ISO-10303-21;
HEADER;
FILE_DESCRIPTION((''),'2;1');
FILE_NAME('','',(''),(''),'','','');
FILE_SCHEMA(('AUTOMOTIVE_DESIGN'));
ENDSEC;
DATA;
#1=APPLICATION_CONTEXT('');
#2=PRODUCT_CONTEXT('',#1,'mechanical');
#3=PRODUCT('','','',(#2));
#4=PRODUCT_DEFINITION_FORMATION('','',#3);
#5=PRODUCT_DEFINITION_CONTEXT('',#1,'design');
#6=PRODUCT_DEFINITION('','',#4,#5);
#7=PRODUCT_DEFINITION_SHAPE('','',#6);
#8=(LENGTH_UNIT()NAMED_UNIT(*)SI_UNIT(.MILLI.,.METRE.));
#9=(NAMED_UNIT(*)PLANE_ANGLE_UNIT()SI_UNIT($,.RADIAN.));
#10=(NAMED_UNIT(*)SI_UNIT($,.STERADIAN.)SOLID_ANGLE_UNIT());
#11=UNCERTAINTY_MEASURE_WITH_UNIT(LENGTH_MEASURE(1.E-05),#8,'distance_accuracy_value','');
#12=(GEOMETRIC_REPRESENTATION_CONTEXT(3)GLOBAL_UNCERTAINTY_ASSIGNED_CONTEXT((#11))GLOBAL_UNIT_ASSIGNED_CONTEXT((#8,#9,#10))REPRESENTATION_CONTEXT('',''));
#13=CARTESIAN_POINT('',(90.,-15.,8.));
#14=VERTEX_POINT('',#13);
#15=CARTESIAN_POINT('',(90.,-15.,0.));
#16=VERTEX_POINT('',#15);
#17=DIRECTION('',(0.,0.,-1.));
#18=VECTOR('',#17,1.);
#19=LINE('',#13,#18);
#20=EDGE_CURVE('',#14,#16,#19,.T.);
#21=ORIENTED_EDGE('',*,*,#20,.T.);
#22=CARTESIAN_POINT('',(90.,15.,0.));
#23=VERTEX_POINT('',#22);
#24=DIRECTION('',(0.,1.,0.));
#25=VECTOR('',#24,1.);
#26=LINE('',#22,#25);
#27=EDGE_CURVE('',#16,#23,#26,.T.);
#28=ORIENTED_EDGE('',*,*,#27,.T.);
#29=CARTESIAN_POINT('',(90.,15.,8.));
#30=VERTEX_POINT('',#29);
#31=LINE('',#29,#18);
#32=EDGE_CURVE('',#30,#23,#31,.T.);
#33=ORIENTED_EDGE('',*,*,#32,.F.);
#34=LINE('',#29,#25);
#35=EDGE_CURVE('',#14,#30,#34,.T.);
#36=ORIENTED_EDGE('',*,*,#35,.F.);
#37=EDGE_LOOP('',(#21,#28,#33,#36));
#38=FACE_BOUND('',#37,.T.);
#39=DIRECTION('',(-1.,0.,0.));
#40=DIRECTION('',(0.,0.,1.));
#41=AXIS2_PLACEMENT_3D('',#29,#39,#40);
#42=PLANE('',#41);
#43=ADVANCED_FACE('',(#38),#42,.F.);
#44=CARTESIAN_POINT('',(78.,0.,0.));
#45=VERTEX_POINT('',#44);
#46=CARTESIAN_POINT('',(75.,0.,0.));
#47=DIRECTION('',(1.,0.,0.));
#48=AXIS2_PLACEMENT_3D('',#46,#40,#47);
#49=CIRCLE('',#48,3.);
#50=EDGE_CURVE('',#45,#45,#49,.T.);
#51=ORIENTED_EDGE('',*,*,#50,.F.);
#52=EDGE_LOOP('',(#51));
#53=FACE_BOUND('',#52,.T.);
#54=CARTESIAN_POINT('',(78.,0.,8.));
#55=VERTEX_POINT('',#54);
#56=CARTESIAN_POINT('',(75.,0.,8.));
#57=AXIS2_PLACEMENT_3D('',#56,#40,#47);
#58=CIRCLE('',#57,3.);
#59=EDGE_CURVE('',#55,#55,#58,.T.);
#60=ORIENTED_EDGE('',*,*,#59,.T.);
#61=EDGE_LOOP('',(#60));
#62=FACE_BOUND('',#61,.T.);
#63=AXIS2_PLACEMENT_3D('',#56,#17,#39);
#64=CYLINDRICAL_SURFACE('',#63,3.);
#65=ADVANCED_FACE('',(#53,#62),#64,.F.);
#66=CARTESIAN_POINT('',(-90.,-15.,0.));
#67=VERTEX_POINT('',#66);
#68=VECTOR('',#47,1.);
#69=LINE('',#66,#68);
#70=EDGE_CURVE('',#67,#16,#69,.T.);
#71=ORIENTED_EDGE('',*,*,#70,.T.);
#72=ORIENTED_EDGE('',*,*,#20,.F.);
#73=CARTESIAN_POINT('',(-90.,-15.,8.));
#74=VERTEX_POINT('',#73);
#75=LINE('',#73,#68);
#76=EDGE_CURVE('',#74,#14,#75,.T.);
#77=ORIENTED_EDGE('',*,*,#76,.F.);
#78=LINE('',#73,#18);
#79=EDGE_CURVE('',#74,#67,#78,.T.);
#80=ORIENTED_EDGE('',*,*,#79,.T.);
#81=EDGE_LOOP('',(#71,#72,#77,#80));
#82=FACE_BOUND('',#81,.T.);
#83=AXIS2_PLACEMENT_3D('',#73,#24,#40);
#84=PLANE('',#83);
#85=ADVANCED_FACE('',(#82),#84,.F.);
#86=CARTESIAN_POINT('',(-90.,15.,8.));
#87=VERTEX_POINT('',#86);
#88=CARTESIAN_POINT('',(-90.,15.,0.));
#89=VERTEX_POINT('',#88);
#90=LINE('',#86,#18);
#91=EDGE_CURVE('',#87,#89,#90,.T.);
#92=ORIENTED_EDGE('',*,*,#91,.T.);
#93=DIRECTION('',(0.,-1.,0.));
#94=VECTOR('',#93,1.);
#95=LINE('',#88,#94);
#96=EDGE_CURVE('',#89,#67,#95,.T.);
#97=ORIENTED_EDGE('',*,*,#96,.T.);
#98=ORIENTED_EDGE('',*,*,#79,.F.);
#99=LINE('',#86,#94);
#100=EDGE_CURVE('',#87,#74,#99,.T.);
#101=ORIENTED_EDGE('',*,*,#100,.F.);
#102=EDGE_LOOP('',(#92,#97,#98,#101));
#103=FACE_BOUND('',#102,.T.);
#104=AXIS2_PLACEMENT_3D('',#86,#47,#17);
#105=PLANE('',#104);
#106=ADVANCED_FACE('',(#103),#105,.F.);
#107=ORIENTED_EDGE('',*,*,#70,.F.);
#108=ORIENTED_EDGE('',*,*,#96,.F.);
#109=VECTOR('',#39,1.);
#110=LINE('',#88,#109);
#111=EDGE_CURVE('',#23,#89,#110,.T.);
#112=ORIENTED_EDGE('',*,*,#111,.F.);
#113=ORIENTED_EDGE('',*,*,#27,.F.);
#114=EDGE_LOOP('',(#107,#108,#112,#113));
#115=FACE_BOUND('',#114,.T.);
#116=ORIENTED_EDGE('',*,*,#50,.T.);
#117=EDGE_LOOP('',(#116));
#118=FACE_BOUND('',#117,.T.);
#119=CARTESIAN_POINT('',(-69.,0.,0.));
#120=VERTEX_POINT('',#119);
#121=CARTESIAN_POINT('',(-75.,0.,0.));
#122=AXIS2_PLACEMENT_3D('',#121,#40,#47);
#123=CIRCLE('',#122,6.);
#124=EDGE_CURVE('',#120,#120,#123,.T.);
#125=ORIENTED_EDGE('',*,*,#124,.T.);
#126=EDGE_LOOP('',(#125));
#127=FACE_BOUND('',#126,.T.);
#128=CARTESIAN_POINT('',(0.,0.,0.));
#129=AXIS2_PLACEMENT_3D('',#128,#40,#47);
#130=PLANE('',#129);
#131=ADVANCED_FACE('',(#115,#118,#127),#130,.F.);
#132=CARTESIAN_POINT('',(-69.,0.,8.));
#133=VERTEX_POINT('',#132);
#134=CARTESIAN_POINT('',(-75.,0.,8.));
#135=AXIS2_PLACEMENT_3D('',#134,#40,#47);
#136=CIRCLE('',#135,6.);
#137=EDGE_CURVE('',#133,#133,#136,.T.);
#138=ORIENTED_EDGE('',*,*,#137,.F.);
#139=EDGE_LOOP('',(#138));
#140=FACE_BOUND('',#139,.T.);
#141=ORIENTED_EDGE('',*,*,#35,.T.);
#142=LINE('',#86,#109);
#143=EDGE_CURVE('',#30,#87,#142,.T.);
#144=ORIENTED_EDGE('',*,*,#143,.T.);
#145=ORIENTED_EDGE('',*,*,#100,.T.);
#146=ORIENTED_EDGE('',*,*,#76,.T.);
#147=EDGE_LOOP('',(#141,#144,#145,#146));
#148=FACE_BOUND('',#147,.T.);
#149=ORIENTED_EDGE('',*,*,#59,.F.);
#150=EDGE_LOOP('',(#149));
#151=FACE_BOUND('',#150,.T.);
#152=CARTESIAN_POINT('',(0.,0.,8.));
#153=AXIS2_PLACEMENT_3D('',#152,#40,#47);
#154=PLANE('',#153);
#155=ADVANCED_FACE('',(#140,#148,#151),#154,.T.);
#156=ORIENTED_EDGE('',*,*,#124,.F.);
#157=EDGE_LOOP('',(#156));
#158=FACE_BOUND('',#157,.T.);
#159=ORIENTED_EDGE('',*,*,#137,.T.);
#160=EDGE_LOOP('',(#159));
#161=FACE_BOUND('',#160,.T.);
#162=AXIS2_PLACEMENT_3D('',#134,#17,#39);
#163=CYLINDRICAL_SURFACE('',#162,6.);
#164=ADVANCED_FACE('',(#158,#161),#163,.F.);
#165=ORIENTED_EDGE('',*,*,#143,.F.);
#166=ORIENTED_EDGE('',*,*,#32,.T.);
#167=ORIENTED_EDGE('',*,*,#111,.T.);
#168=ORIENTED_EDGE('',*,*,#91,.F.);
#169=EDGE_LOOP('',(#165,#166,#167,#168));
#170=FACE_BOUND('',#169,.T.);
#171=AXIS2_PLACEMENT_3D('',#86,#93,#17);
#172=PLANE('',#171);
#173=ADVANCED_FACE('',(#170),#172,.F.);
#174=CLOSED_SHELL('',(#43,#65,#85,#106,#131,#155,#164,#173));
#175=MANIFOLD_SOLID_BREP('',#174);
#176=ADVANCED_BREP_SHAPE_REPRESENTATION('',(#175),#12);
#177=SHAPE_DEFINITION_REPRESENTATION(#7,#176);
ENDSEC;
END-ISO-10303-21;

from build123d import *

# Parameters (mm, degrees)
SKETCH_1_W      = 180
SKETCH_1_H      = 30
SKETCH_1_R      = 6
SKETCH_1_R_2    = 3
EXTRUDE_1_DEPTH = 8


with BuildPart() as part:
    # 草图1 → 凸台-拉伸1 (new body)
    with BuildSketch(Plane.XY):
        Rectangle(SKETCH_1_W, SKETCH_1_H)
        with Locations((-75, 0)):
            Circle(SKETCH_1_R, mode=Mode.SUBTRACT)
        with Locations((75, 0)):
            Circle(SKETCH_1_R_2, mode=Mode.SUBTRACT)
    extrude(amount=EXTRUDE_1_DEPTH)


solid = part.part
